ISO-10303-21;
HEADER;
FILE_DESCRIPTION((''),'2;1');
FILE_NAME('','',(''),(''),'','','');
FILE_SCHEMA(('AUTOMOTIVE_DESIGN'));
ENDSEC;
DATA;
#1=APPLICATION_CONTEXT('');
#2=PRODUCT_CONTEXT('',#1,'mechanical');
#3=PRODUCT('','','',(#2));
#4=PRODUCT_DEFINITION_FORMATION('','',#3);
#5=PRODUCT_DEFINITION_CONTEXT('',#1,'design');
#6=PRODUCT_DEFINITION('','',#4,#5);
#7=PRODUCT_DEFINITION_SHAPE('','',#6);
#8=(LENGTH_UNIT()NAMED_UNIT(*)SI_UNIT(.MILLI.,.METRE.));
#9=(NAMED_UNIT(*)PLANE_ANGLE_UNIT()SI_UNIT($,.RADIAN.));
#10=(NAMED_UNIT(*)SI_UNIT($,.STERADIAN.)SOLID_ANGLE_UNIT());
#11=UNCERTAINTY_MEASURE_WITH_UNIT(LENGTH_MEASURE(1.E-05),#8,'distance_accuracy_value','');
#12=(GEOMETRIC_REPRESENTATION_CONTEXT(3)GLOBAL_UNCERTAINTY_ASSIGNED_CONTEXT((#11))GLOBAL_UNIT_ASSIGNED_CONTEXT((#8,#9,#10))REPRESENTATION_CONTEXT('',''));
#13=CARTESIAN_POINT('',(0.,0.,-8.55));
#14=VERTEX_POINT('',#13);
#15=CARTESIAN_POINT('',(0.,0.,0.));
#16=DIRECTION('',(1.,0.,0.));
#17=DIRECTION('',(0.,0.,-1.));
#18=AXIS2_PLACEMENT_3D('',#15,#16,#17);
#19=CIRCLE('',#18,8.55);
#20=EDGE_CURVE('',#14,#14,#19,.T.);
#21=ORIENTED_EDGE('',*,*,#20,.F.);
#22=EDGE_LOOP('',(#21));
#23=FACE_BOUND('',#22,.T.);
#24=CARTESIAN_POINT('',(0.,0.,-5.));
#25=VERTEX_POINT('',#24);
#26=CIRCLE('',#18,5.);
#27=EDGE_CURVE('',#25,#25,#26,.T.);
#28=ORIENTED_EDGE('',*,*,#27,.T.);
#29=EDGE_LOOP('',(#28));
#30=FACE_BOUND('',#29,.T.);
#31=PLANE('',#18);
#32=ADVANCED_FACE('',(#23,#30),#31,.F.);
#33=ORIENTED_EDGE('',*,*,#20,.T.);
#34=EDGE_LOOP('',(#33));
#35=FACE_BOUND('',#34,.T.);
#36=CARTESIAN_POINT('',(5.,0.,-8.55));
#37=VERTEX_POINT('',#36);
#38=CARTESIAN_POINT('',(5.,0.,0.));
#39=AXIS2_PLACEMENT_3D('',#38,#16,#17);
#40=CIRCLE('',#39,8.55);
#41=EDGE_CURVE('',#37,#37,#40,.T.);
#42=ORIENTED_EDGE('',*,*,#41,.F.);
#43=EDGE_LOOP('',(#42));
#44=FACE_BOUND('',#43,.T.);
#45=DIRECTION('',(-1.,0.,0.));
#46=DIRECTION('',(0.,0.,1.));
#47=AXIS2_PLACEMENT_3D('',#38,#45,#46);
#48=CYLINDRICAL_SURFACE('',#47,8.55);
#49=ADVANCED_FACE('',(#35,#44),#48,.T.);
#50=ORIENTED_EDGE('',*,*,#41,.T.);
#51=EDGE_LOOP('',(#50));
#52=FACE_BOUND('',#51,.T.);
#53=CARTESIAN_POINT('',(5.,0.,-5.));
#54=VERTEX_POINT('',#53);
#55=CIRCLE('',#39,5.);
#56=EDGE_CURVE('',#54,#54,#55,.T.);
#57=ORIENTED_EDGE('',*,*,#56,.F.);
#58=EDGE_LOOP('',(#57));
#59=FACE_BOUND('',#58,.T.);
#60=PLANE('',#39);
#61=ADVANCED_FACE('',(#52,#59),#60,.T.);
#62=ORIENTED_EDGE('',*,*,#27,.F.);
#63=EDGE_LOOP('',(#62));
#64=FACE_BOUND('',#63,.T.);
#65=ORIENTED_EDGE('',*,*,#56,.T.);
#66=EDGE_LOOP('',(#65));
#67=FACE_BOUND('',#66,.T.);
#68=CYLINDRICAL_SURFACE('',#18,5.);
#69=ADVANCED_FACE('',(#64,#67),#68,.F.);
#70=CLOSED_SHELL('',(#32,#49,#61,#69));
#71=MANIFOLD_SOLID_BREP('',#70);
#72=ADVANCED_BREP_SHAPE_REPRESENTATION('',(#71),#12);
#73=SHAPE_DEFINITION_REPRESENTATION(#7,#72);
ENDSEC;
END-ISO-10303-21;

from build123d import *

# Parameters (mm, degrees)
SKETCH_1_R          = 8.55
EXTRUDE_1_DEPTH     = 5
SKETCH_2_R          = 5
CUT_EXTRUDE_1_DEPTH = 5


with BuildPart() as part:
    # 草图1 → 凸台-拉伸1 (new body)
    with BuildSketch(Plane(origin=(0, 0, 0), x_dir=(0, 0, -1), z_dir=(1, 0, 0))):
        Circle(SKETCH_1_R)
    extrude(amount=EXTRUDE_1_DEPTH)

    # 草图2 → 切除-拉伸1 (cut)
    with BuildSketch(Plane(origin=(5, 0, 0), x_dir=(0, 0, -1), z_dir=(1, 0, 0))):
        Circle(SKETCH_2_R)
    extrude(amount=-CUT_EXTRUDE_1_DEPTH, mode=Mode.SUBTRACT)


solid = part.part
